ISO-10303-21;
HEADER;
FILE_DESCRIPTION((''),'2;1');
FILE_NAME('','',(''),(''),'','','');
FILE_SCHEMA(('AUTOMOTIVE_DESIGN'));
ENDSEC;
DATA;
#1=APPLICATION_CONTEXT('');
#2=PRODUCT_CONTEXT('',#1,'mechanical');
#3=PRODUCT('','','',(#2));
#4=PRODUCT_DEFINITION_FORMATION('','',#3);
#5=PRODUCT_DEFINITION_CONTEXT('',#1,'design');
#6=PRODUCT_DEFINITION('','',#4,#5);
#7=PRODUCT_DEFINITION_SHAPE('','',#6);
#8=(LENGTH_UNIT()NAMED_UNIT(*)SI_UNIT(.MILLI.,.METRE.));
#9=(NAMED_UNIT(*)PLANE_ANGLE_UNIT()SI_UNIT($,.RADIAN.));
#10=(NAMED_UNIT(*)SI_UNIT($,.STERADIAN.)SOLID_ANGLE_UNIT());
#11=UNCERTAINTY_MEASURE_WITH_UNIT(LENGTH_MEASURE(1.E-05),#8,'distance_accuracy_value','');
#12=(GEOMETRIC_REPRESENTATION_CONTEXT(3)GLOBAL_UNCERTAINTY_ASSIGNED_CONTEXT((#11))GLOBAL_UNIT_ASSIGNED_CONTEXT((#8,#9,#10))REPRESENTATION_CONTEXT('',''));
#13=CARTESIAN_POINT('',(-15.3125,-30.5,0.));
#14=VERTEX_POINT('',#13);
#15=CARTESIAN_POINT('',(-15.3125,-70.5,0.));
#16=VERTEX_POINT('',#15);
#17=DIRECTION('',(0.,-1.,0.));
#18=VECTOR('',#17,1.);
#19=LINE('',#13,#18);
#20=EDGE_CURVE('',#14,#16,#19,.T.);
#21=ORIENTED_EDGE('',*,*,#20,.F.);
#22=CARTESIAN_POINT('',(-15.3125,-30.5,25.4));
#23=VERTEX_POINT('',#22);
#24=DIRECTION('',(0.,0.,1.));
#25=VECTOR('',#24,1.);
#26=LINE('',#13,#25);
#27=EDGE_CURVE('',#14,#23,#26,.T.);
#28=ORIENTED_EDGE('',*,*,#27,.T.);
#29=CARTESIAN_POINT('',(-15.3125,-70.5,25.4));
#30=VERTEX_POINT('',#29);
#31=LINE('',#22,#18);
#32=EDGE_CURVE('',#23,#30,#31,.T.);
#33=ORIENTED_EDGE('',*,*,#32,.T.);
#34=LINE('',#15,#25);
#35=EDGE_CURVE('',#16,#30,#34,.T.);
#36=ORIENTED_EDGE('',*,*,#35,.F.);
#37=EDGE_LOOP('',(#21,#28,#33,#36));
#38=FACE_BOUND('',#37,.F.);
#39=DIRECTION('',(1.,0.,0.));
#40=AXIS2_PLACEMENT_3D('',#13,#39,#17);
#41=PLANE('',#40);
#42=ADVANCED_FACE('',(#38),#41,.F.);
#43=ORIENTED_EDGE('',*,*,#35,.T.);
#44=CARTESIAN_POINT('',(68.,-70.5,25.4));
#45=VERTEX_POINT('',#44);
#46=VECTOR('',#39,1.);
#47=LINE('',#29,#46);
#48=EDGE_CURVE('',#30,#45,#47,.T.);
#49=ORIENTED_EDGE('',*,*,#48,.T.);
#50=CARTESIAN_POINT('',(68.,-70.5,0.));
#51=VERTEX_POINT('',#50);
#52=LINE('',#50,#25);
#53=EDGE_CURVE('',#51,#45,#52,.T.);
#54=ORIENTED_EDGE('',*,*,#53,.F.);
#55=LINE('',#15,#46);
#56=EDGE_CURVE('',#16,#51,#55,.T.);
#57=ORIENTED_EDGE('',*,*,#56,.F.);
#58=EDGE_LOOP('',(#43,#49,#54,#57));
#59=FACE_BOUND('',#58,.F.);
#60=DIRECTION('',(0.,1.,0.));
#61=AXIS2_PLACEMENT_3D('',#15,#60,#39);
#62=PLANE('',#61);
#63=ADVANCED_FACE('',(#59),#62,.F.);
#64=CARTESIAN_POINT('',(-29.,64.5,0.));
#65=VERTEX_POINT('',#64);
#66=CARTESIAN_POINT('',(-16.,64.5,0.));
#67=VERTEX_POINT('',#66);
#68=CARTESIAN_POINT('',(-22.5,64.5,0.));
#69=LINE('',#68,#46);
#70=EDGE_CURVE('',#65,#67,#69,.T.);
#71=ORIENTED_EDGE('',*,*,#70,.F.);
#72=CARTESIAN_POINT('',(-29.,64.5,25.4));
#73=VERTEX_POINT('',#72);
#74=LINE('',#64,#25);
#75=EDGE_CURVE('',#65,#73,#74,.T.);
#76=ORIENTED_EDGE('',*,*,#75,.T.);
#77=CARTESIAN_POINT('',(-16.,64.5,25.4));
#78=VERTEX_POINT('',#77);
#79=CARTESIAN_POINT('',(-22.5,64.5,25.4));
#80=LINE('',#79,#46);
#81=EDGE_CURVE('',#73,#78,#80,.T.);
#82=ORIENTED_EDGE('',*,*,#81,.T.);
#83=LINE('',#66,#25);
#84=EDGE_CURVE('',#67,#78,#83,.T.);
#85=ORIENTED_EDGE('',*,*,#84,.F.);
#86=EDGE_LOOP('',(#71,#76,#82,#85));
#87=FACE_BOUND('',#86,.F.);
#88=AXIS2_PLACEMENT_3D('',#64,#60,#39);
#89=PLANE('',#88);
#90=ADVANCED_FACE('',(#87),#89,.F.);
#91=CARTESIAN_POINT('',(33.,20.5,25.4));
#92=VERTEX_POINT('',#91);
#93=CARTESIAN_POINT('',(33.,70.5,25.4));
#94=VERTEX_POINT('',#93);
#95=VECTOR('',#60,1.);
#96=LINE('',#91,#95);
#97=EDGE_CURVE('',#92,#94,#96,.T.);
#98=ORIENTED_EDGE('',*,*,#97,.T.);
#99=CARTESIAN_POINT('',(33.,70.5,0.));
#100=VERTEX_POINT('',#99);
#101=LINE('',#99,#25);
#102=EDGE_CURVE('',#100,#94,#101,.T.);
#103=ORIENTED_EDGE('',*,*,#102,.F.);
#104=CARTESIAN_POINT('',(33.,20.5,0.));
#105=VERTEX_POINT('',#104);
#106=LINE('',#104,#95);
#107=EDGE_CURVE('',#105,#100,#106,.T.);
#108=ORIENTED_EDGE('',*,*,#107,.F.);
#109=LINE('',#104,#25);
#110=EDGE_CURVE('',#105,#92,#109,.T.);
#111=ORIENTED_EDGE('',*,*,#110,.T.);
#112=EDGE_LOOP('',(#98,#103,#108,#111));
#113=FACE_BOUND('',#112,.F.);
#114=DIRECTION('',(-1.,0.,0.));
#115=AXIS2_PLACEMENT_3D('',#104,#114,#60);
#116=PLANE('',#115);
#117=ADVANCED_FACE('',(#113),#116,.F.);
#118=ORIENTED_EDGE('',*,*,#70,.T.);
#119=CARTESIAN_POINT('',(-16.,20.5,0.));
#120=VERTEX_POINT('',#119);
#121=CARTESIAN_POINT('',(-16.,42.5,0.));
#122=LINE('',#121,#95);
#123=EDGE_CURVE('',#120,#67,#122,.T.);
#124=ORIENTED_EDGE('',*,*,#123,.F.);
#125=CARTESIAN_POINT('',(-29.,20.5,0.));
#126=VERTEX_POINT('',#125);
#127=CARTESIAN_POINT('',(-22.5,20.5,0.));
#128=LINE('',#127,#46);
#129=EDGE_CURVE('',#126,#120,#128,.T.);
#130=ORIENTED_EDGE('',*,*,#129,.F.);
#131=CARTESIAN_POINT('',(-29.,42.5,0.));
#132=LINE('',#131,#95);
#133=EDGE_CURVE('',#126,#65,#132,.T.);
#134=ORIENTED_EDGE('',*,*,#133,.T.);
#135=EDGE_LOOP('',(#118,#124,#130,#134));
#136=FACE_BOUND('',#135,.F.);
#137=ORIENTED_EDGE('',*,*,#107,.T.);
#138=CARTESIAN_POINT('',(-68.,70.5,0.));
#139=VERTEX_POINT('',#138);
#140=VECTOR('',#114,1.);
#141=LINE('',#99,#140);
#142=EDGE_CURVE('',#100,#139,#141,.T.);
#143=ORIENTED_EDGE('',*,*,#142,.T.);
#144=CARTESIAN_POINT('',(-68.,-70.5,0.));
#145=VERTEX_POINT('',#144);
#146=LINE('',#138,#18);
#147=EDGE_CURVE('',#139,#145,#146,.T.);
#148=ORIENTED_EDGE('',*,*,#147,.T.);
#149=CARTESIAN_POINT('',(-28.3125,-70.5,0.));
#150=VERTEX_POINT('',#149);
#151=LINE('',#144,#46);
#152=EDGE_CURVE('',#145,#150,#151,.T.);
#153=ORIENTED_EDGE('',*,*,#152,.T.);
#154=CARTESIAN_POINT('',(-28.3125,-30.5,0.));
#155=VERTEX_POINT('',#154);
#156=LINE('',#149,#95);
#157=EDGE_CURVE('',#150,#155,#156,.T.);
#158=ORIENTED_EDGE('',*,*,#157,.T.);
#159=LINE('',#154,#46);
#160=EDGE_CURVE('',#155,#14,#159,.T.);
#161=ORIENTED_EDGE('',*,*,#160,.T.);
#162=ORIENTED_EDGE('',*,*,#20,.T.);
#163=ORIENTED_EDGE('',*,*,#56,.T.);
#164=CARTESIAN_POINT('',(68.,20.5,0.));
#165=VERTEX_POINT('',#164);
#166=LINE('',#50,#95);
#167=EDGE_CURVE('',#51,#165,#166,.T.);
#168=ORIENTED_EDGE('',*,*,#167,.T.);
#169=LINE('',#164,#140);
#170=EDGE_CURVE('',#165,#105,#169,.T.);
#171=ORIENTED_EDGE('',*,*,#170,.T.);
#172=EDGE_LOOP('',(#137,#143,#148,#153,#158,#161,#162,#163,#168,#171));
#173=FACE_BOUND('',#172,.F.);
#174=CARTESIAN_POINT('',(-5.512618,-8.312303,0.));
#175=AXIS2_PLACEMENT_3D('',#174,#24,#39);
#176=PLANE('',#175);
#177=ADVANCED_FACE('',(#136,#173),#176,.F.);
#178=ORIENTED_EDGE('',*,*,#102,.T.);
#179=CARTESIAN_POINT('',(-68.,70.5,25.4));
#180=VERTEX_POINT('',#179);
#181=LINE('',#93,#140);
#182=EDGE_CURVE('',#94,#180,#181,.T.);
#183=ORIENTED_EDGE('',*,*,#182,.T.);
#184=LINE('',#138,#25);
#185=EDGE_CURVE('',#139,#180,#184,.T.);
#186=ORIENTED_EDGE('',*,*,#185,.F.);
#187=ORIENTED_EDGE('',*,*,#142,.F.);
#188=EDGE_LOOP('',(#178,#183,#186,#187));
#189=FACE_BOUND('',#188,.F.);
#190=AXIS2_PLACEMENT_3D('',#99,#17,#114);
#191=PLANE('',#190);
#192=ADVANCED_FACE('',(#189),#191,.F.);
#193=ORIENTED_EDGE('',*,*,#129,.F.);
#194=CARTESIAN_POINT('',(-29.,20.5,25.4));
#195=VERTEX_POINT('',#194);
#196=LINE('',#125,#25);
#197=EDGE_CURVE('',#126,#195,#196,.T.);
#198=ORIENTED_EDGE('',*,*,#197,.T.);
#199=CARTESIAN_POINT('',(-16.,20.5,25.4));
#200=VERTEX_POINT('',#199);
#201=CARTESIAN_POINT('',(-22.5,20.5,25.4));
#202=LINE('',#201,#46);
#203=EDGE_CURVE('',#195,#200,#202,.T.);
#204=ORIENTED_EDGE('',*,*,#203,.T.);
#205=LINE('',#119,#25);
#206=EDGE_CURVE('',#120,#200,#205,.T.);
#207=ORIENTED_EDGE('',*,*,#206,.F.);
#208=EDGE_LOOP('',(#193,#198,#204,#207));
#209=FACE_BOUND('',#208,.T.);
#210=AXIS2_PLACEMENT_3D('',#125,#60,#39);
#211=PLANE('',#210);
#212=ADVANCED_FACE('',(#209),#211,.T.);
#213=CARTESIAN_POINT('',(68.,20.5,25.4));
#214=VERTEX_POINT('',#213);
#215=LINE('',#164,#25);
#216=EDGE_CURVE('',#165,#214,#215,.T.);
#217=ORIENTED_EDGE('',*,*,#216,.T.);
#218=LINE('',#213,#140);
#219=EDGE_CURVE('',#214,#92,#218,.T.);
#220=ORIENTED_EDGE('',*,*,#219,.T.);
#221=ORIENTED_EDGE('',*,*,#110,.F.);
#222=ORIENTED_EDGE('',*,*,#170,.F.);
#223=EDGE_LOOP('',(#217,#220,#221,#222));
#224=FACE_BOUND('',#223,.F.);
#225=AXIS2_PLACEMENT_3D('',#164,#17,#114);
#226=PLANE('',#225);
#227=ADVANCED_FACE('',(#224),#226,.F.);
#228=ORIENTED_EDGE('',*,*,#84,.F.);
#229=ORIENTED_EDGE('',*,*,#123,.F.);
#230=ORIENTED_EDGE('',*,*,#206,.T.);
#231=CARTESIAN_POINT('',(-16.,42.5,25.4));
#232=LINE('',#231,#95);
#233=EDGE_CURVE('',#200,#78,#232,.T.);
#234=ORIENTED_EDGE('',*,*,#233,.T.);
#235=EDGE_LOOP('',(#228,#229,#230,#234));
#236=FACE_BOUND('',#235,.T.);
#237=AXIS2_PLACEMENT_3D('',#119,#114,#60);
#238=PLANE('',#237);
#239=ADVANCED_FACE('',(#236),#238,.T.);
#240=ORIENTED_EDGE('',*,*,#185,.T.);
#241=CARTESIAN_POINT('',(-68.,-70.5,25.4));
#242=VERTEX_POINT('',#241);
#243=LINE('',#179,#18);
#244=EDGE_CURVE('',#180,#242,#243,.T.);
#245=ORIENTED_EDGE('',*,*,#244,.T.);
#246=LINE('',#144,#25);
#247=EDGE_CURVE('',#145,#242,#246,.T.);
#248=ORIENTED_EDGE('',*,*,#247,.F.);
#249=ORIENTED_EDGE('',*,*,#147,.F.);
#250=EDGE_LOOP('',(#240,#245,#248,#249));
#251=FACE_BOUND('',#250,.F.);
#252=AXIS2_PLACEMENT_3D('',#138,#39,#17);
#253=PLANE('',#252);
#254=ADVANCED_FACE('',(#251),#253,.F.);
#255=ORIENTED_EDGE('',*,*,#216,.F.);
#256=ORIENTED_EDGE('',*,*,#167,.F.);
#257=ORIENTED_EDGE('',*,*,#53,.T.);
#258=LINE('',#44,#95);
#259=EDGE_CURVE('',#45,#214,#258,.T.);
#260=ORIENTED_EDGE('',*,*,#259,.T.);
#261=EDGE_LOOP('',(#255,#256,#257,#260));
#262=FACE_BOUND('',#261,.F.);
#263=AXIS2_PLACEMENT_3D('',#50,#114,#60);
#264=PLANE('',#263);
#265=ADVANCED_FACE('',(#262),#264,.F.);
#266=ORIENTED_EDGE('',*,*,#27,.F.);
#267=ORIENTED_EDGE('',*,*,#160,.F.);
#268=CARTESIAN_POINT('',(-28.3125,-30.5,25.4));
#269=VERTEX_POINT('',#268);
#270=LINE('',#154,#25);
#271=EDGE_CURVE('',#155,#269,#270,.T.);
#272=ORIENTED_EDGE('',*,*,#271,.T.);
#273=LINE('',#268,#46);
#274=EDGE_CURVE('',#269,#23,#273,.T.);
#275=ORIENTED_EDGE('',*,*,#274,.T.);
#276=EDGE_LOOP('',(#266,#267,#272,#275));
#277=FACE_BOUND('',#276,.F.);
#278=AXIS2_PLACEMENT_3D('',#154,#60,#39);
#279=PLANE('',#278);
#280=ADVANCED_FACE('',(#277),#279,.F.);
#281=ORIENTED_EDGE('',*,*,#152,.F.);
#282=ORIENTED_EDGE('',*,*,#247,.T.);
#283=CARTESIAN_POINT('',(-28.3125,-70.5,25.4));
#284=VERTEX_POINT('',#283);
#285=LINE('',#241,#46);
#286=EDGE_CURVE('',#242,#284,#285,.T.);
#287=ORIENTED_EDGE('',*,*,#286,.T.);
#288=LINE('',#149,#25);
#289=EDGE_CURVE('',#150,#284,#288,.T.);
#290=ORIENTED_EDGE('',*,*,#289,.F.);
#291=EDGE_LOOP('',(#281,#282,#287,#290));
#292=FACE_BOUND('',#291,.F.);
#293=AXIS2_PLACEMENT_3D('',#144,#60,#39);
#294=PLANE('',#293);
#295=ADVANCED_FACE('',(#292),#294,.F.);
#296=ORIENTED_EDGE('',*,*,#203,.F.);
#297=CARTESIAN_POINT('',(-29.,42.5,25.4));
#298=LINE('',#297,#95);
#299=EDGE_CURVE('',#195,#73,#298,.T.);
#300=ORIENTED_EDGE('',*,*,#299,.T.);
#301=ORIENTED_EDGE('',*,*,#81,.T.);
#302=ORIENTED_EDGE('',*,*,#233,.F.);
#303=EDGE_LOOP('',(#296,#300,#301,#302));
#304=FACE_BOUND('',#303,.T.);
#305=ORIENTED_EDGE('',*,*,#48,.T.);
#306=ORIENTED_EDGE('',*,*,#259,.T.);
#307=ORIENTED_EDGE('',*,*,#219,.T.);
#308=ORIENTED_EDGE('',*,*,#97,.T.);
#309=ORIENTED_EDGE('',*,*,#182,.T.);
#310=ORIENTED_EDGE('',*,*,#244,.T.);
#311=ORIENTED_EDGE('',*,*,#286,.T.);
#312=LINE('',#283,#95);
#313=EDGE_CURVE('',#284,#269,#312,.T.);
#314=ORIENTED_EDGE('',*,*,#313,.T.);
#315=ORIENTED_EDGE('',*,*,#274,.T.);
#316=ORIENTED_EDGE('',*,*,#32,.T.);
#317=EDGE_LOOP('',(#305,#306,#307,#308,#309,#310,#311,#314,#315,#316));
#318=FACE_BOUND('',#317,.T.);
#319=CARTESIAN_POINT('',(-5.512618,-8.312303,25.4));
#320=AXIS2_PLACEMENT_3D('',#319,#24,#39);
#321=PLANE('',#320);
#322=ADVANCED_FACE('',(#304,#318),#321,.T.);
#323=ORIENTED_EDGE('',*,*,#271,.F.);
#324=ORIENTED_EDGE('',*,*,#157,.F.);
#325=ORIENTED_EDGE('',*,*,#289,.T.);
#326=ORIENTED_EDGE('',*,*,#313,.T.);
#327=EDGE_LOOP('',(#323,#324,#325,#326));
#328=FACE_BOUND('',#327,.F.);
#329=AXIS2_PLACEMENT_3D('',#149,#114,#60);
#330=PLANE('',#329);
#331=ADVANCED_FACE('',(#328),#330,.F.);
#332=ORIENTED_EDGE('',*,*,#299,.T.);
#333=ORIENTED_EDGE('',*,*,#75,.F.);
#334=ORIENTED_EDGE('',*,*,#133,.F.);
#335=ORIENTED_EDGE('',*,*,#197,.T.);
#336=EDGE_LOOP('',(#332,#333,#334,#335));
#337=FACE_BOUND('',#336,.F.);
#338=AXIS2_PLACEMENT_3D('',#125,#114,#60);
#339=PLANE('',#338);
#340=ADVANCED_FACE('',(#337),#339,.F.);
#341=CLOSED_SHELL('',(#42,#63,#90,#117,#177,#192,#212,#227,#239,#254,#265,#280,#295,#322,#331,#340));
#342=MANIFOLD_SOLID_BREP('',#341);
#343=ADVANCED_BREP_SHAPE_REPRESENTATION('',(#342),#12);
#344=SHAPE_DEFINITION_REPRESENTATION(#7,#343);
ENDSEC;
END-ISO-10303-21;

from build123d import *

# Parameters (mm, degrees)
F0_W     = 13
F0_H     = 44
F1_DEPTH = 25.4


with BuildPart() as f1:
    # F0 (on Top) → F1 (new body)
    with BuildSketch(Plane.XY):
        Polygon((33, 20.5), (33, 70.5), (-68, 70.5), (-68, -70.5), (-28.3125, -70.5), (-28.3125, -30.5), (-15.3125, -30.5), (-15.3125, -70.5), (68, -70.5), (68, 20.5), align=None)
        with Locations((-22.5, 42.5)):
            Rectangle(F0_W, F0_H, mode=Mode.SUBTRACT)
    extrude(amount=F1_DEPTH)


solid = f1.part
